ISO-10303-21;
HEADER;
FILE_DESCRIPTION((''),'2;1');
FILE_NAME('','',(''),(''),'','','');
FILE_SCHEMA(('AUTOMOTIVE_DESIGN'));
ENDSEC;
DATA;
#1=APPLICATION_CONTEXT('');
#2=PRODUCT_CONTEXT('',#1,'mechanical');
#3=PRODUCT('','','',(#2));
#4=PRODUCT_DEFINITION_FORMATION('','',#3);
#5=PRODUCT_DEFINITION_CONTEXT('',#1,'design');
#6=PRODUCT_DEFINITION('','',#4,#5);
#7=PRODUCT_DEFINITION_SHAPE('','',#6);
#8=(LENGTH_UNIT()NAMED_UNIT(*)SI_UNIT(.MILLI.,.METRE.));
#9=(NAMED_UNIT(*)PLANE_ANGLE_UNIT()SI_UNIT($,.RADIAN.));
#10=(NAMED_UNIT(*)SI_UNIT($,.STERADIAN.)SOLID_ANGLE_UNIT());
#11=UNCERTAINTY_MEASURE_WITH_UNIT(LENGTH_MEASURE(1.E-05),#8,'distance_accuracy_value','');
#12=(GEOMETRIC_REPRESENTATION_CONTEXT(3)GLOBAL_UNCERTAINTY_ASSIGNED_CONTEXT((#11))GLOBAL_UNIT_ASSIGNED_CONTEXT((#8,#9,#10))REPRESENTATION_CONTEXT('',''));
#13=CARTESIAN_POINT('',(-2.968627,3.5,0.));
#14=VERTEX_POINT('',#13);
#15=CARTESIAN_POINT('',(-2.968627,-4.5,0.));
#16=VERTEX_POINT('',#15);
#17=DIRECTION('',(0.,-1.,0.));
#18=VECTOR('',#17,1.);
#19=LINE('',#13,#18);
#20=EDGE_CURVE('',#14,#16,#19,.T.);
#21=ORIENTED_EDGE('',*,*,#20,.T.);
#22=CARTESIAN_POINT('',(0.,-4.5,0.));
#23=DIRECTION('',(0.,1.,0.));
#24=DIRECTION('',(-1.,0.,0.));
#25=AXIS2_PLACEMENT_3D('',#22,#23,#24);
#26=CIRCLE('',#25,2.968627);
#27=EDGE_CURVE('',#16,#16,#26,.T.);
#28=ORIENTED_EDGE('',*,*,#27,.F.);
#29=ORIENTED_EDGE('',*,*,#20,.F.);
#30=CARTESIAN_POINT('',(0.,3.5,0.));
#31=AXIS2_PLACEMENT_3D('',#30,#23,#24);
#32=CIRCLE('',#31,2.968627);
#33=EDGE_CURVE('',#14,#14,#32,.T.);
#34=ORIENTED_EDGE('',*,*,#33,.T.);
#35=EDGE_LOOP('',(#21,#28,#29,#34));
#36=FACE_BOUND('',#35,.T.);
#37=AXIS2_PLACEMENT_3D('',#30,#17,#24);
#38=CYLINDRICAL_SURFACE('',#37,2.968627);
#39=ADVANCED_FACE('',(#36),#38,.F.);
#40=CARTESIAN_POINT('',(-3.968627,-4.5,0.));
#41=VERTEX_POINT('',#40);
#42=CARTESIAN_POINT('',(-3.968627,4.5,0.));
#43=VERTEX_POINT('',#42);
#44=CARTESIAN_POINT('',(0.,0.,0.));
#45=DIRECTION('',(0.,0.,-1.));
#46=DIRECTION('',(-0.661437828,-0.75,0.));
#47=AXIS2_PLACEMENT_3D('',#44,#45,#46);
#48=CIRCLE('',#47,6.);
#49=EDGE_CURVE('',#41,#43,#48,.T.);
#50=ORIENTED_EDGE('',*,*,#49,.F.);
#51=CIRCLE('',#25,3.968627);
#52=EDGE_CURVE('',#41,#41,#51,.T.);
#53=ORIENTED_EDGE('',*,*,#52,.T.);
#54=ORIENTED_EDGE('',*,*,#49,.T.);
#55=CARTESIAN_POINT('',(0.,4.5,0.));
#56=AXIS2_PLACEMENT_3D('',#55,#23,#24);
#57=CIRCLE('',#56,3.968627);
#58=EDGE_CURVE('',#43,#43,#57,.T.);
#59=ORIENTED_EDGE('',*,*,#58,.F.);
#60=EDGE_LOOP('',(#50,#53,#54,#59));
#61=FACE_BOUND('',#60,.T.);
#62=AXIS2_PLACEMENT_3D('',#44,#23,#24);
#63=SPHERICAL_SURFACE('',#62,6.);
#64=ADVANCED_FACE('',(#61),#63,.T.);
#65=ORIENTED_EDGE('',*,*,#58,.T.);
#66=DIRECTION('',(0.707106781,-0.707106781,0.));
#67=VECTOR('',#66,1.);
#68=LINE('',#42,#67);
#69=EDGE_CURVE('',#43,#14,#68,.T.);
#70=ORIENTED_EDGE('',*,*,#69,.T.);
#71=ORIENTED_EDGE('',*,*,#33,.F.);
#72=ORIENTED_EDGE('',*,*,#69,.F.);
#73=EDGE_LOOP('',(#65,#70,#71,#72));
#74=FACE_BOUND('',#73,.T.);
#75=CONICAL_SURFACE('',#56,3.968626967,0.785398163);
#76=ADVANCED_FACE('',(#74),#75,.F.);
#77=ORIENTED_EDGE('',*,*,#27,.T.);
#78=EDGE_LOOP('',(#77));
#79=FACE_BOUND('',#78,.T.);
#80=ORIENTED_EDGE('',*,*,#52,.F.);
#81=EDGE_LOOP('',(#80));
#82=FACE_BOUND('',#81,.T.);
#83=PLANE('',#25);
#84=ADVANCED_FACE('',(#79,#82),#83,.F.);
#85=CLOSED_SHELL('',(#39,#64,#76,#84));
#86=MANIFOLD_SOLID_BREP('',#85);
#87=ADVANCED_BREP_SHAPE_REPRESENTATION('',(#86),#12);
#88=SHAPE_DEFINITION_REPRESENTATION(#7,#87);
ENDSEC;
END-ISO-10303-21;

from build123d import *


with BuildPart() as part:
    # Sketch1 → Revolve4 (revolve)
    with BuildSketch(Plane.XY):
        with BuildLine():
            Line((-3.968626967, 4.5), (-2.968626967, 3.5))
            Line((-2.968626967, 3.5), (-2.968626967, -4.5))
            Line((-2.968626967, -4.5), (-3.968626967, -4.5))
            ThreePointArc((-3.968626967, -4.5), (-6, 0), (-3.968626967, 4.5))
        make_face()
    revolve(axis=Axis((0, -8.401347751, 0), (0, 1, 0)))


solid = part.part
